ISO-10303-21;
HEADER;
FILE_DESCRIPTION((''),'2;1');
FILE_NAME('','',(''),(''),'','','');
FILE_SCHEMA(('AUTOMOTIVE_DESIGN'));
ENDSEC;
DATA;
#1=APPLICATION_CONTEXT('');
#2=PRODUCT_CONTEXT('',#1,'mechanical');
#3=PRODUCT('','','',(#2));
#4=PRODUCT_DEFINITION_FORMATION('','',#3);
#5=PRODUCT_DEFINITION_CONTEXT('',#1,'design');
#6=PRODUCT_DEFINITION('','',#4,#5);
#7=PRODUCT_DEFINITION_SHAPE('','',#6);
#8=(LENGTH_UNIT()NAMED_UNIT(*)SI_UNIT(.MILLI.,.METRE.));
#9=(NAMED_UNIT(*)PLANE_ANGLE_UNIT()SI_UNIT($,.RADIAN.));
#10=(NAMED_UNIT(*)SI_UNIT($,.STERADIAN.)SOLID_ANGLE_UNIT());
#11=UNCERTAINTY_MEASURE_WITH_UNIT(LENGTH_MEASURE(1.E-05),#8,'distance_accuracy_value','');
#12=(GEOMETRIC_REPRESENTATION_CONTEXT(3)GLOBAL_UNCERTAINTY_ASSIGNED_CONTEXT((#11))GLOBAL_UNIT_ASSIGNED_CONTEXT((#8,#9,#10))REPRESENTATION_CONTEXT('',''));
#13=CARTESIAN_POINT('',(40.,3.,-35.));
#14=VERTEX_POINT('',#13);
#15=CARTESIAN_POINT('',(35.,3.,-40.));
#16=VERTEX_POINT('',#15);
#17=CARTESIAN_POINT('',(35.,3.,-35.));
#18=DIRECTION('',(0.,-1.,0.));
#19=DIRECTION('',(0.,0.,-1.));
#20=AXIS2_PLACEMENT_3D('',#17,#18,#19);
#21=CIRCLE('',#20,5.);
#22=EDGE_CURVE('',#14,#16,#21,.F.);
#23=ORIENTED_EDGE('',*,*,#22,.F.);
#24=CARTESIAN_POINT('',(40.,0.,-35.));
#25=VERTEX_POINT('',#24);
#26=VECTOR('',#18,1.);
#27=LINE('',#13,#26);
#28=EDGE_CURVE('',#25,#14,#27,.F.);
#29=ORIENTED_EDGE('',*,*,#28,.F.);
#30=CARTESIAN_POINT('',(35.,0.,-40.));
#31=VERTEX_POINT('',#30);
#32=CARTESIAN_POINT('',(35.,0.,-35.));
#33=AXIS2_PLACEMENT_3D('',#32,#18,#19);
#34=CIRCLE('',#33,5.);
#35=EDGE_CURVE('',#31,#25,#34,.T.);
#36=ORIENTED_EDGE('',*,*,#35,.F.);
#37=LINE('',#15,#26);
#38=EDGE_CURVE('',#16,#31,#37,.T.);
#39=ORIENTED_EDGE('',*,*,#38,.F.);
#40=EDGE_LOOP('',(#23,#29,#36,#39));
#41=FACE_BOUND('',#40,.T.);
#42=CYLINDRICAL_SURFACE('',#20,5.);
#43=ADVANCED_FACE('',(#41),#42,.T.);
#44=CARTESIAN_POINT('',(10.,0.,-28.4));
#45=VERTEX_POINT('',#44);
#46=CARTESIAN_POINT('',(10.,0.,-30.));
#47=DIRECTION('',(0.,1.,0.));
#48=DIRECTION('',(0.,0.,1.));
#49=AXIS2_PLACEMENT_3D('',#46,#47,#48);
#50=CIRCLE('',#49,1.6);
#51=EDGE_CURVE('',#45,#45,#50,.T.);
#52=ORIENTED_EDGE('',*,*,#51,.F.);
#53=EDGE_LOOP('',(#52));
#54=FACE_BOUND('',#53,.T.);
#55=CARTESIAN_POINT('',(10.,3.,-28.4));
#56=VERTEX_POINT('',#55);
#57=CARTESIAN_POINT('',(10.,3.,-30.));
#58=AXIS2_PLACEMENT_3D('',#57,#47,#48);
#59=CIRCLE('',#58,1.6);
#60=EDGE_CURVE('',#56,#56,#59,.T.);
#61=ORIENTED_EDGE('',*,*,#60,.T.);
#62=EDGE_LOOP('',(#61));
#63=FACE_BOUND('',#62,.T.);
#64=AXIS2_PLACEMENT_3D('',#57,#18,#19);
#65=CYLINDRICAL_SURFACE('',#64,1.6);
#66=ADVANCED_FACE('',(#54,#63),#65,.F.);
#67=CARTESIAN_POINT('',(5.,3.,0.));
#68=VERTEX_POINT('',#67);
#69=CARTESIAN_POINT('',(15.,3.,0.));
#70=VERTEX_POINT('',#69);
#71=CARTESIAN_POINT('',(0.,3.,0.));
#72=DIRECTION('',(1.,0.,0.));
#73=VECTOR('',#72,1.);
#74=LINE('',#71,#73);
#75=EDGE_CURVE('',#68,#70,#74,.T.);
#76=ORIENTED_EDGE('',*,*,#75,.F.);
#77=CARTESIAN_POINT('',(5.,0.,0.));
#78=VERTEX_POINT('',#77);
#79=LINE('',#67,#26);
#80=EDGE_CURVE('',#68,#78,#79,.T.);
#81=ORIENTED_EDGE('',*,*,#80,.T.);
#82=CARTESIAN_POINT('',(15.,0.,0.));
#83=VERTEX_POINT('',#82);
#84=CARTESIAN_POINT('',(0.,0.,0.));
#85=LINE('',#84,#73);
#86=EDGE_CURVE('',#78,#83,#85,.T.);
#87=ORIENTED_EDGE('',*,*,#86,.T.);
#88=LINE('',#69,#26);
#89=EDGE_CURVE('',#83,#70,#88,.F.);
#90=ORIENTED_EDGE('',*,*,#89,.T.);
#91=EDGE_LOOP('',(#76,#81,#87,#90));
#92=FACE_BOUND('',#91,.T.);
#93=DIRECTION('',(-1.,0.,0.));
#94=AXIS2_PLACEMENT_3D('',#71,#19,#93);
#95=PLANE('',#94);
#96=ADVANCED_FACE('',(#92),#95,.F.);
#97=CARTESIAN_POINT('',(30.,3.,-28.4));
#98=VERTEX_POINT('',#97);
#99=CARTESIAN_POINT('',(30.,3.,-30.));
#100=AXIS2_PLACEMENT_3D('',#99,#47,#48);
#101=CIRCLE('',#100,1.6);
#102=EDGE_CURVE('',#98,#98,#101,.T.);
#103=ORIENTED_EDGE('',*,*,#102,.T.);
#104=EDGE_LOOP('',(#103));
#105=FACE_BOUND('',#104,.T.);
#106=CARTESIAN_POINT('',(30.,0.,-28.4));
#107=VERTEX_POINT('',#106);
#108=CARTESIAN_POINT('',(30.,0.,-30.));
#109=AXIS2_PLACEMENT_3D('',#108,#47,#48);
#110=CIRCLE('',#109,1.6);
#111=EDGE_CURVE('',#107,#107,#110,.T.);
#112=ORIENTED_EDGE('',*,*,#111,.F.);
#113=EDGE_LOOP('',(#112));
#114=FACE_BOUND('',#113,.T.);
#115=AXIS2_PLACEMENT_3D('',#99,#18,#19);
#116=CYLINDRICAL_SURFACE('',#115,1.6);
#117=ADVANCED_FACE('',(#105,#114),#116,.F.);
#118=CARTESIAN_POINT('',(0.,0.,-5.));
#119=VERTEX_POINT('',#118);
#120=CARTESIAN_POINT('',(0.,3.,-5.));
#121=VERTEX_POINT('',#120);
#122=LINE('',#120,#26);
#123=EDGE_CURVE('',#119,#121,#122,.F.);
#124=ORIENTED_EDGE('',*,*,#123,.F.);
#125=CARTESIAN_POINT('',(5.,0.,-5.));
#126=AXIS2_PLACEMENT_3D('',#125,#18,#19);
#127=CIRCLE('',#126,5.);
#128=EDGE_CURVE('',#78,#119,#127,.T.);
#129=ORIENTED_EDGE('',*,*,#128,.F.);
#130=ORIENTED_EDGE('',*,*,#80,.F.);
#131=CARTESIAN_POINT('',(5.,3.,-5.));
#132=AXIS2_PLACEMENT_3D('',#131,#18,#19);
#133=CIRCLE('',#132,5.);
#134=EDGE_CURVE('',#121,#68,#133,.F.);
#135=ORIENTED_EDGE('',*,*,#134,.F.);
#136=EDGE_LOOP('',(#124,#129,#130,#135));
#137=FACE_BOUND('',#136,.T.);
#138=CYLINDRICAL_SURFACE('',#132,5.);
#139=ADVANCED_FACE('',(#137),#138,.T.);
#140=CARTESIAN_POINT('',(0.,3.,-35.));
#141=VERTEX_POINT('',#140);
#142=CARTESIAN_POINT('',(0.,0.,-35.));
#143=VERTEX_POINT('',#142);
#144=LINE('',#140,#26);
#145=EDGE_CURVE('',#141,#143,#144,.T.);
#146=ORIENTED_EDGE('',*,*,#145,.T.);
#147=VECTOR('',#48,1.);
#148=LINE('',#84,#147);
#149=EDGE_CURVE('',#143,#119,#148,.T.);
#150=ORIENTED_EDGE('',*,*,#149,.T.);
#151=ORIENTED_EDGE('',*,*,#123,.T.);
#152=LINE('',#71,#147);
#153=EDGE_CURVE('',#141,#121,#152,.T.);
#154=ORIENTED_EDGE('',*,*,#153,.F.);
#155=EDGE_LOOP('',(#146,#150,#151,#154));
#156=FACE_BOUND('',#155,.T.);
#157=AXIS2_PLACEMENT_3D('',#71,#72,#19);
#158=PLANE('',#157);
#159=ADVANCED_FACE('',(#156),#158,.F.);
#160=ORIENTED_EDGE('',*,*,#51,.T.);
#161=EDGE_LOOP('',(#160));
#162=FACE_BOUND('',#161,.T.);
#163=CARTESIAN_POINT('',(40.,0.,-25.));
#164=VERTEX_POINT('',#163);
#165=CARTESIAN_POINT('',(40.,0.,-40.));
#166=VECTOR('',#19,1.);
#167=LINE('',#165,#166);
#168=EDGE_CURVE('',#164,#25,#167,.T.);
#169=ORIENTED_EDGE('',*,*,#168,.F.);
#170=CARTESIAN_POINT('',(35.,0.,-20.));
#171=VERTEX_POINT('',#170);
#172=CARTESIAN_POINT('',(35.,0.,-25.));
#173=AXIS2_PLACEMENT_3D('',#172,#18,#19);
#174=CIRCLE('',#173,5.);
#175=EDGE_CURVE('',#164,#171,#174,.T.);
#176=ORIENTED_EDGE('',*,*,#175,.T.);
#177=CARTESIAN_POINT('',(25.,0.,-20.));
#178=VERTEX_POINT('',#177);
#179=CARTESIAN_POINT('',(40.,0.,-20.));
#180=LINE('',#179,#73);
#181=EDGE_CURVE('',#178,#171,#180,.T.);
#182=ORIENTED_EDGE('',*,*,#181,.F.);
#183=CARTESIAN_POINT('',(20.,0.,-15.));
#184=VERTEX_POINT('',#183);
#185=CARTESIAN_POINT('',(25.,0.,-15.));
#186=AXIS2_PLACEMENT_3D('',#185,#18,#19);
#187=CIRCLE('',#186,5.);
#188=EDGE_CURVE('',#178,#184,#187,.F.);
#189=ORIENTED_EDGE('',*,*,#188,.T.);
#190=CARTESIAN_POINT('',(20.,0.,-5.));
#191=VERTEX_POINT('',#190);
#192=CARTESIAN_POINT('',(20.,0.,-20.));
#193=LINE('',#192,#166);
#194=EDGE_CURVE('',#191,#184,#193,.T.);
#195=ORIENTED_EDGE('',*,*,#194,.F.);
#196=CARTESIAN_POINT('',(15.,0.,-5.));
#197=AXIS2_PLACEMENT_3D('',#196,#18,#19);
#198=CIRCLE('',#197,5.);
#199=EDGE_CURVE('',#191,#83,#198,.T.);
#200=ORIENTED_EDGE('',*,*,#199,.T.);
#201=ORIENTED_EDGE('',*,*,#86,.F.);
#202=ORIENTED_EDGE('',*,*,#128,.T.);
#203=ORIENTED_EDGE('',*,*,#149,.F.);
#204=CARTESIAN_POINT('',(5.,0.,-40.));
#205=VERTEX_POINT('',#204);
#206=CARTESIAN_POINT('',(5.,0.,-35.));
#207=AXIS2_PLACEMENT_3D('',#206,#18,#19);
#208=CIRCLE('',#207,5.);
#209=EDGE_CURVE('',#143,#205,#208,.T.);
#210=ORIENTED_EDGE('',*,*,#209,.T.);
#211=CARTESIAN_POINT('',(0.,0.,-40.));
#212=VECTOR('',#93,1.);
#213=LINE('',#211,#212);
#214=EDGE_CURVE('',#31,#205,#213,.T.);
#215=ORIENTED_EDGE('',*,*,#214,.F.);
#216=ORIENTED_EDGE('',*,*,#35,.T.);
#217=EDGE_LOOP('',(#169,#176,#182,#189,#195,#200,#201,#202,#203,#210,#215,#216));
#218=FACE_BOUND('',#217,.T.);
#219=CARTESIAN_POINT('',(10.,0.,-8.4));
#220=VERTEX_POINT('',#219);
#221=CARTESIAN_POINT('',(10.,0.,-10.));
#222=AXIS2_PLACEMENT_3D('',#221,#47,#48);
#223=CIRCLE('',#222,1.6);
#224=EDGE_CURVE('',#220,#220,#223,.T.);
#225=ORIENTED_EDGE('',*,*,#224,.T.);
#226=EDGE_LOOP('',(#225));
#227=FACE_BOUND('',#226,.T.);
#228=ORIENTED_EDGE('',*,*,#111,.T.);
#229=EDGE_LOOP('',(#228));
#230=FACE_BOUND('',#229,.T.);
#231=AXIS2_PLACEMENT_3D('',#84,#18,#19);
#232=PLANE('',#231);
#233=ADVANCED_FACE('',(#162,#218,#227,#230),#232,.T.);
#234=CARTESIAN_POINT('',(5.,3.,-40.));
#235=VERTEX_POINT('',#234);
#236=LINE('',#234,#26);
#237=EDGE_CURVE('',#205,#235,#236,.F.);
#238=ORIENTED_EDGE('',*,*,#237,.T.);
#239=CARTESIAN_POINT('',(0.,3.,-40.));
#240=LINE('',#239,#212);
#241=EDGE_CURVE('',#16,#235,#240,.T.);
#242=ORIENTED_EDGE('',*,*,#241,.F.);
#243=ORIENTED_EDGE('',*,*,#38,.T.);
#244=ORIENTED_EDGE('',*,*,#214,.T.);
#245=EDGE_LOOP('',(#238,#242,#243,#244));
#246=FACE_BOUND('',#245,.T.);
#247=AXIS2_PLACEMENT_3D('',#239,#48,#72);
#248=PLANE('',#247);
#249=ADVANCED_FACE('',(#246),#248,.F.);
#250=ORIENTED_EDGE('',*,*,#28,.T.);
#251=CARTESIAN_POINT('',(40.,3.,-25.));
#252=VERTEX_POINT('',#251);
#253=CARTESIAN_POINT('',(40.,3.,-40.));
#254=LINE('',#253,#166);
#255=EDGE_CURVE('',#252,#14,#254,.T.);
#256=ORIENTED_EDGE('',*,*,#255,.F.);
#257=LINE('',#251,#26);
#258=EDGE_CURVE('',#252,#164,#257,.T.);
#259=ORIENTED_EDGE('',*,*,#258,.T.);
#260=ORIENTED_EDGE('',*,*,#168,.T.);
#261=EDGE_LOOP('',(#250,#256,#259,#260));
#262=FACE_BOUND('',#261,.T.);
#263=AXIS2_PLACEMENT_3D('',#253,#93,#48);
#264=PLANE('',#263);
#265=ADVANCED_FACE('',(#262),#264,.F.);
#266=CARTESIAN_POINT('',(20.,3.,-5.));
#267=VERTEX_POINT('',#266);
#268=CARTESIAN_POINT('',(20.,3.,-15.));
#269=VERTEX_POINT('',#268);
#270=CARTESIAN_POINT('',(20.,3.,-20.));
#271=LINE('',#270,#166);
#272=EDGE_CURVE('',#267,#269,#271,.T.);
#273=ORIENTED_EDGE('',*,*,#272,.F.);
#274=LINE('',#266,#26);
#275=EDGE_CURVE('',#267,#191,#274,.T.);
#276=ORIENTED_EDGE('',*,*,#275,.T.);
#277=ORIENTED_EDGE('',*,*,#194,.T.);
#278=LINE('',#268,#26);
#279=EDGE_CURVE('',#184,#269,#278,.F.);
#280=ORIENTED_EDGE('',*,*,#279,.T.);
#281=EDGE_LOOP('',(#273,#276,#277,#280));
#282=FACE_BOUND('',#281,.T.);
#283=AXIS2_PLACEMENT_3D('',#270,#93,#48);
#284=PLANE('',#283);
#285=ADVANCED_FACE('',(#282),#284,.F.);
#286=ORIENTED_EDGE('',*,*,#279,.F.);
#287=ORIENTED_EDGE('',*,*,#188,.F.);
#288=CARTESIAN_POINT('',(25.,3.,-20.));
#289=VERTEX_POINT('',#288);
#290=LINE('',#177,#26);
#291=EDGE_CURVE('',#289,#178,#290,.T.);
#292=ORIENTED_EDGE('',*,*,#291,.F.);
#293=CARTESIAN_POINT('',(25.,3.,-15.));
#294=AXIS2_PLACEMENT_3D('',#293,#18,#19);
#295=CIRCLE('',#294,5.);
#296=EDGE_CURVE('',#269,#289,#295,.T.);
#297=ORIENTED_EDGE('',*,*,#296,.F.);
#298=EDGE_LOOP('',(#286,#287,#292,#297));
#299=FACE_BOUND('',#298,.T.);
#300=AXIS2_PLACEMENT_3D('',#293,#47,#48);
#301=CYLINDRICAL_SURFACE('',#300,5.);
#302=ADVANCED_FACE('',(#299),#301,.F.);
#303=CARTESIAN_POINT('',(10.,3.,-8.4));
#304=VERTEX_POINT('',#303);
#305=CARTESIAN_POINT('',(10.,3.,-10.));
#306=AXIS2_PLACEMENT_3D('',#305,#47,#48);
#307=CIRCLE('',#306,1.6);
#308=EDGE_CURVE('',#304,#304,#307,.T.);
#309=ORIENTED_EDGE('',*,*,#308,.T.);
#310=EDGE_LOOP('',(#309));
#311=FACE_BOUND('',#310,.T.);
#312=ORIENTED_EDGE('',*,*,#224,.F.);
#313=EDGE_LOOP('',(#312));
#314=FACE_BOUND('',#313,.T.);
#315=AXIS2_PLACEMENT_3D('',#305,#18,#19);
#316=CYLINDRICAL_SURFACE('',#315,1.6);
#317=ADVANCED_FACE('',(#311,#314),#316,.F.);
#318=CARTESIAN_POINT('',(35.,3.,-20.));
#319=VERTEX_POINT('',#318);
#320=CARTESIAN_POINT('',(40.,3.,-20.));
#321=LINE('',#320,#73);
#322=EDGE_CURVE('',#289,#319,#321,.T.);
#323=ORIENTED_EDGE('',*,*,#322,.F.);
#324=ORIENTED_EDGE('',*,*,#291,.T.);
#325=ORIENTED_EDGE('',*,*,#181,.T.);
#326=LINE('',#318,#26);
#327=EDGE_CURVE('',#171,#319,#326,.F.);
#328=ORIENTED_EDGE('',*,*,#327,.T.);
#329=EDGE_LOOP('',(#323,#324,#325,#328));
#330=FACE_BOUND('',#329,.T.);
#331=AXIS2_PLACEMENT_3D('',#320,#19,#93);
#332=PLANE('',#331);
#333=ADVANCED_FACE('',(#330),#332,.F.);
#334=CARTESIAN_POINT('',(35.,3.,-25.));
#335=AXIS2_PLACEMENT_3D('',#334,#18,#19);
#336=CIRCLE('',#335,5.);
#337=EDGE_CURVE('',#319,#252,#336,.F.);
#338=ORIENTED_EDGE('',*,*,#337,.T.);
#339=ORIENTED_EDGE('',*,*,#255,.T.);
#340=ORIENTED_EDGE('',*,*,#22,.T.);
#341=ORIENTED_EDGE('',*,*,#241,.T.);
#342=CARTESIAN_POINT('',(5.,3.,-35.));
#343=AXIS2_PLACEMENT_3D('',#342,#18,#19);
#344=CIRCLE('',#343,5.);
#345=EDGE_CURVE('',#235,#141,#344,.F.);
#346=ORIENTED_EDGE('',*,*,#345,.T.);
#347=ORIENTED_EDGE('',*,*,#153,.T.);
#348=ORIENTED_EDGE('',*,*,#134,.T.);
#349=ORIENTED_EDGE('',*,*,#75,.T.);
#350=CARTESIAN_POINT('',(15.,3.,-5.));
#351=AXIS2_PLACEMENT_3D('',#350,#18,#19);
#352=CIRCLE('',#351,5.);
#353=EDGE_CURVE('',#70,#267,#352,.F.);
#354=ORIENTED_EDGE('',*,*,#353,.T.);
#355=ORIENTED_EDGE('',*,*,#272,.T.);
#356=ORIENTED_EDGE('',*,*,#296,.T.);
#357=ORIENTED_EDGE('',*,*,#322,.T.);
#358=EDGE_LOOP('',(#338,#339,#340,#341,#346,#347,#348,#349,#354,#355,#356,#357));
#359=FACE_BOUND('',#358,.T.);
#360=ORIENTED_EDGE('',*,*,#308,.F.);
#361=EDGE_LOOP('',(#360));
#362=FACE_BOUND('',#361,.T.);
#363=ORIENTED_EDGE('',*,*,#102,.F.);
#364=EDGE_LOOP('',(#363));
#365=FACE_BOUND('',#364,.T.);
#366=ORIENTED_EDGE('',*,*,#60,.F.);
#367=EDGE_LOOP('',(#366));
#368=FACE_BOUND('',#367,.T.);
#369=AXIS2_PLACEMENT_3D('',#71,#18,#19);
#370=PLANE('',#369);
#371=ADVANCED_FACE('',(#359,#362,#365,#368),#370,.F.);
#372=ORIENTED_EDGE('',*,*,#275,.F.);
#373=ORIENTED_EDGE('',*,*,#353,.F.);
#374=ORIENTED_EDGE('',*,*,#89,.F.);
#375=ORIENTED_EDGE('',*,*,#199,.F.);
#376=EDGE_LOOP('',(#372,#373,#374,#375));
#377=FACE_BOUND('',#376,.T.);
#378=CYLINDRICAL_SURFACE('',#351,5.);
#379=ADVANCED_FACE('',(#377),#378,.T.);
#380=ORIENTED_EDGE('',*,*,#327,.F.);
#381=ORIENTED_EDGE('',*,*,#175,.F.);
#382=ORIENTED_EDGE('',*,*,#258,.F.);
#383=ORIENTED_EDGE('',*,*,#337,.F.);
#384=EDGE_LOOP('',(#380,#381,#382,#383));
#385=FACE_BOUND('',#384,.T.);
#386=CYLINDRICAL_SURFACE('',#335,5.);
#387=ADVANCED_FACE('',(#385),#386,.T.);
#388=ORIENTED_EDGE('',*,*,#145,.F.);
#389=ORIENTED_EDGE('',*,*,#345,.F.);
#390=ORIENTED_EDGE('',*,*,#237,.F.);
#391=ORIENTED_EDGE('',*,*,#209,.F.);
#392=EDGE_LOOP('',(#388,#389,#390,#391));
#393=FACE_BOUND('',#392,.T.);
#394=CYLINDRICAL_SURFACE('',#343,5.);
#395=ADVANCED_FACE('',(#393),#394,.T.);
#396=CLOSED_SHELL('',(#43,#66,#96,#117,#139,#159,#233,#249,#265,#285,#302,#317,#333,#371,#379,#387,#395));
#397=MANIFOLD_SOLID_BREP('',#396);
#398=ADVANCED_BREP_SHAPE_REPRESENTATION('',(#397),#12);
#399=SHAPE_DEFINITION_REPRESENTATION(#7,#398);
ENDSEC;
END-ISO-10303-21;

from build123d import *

# Parameters (mm, degrees)
SKETCH_1_R      = 1.6
EXTRUDE_1_DEPTH = 3
FILLET_1_R      = 5


with BuildPart() as part:
    # 草图1 → 凸台-拉伸1 (new body)
    with BuildSketch(Plane(origin=(0, 0, 0), x_dir=(1, 0, 0), z_dir=(0, 1, 0))):
        Polygon((0, 0), (0, 40), (40, 40), (40, 20), (20, 20), (20, 0), align=None)
        with Locations(Location((30, 30, 0), (0, 0, 270))):
            Circle(SKETCH_1_R, mode=Mode.SUBTRACT)
        with Locations(Location((10, 30, 0), (0, 0, 270))):
            Circle(SKETCH_1_R, mode=Mode.SUBTRACT)
        with Locations(Location((10, 10, 0), (0, 0, 270))):
            Circle(SKETCH_1_R, mode=Mode.SUBTRACT)
    extrude(amount=EXTRUDE_1_DEPTH)

    # 圆角1
    fillet_1_edges = [part.edges().sort_by_distance(p)[0] for p in [
        (0, 1.5, 0),
        (0, 1.5, -40),
        (40, 1.5, -40),
        (40, 1.5, -20),
        (20, 1.5, -20),
        (20, 1.5, 0),
    ]]
    fillet(fillet_1_edges, radius=FILLET_1_R)


solid = part.part
